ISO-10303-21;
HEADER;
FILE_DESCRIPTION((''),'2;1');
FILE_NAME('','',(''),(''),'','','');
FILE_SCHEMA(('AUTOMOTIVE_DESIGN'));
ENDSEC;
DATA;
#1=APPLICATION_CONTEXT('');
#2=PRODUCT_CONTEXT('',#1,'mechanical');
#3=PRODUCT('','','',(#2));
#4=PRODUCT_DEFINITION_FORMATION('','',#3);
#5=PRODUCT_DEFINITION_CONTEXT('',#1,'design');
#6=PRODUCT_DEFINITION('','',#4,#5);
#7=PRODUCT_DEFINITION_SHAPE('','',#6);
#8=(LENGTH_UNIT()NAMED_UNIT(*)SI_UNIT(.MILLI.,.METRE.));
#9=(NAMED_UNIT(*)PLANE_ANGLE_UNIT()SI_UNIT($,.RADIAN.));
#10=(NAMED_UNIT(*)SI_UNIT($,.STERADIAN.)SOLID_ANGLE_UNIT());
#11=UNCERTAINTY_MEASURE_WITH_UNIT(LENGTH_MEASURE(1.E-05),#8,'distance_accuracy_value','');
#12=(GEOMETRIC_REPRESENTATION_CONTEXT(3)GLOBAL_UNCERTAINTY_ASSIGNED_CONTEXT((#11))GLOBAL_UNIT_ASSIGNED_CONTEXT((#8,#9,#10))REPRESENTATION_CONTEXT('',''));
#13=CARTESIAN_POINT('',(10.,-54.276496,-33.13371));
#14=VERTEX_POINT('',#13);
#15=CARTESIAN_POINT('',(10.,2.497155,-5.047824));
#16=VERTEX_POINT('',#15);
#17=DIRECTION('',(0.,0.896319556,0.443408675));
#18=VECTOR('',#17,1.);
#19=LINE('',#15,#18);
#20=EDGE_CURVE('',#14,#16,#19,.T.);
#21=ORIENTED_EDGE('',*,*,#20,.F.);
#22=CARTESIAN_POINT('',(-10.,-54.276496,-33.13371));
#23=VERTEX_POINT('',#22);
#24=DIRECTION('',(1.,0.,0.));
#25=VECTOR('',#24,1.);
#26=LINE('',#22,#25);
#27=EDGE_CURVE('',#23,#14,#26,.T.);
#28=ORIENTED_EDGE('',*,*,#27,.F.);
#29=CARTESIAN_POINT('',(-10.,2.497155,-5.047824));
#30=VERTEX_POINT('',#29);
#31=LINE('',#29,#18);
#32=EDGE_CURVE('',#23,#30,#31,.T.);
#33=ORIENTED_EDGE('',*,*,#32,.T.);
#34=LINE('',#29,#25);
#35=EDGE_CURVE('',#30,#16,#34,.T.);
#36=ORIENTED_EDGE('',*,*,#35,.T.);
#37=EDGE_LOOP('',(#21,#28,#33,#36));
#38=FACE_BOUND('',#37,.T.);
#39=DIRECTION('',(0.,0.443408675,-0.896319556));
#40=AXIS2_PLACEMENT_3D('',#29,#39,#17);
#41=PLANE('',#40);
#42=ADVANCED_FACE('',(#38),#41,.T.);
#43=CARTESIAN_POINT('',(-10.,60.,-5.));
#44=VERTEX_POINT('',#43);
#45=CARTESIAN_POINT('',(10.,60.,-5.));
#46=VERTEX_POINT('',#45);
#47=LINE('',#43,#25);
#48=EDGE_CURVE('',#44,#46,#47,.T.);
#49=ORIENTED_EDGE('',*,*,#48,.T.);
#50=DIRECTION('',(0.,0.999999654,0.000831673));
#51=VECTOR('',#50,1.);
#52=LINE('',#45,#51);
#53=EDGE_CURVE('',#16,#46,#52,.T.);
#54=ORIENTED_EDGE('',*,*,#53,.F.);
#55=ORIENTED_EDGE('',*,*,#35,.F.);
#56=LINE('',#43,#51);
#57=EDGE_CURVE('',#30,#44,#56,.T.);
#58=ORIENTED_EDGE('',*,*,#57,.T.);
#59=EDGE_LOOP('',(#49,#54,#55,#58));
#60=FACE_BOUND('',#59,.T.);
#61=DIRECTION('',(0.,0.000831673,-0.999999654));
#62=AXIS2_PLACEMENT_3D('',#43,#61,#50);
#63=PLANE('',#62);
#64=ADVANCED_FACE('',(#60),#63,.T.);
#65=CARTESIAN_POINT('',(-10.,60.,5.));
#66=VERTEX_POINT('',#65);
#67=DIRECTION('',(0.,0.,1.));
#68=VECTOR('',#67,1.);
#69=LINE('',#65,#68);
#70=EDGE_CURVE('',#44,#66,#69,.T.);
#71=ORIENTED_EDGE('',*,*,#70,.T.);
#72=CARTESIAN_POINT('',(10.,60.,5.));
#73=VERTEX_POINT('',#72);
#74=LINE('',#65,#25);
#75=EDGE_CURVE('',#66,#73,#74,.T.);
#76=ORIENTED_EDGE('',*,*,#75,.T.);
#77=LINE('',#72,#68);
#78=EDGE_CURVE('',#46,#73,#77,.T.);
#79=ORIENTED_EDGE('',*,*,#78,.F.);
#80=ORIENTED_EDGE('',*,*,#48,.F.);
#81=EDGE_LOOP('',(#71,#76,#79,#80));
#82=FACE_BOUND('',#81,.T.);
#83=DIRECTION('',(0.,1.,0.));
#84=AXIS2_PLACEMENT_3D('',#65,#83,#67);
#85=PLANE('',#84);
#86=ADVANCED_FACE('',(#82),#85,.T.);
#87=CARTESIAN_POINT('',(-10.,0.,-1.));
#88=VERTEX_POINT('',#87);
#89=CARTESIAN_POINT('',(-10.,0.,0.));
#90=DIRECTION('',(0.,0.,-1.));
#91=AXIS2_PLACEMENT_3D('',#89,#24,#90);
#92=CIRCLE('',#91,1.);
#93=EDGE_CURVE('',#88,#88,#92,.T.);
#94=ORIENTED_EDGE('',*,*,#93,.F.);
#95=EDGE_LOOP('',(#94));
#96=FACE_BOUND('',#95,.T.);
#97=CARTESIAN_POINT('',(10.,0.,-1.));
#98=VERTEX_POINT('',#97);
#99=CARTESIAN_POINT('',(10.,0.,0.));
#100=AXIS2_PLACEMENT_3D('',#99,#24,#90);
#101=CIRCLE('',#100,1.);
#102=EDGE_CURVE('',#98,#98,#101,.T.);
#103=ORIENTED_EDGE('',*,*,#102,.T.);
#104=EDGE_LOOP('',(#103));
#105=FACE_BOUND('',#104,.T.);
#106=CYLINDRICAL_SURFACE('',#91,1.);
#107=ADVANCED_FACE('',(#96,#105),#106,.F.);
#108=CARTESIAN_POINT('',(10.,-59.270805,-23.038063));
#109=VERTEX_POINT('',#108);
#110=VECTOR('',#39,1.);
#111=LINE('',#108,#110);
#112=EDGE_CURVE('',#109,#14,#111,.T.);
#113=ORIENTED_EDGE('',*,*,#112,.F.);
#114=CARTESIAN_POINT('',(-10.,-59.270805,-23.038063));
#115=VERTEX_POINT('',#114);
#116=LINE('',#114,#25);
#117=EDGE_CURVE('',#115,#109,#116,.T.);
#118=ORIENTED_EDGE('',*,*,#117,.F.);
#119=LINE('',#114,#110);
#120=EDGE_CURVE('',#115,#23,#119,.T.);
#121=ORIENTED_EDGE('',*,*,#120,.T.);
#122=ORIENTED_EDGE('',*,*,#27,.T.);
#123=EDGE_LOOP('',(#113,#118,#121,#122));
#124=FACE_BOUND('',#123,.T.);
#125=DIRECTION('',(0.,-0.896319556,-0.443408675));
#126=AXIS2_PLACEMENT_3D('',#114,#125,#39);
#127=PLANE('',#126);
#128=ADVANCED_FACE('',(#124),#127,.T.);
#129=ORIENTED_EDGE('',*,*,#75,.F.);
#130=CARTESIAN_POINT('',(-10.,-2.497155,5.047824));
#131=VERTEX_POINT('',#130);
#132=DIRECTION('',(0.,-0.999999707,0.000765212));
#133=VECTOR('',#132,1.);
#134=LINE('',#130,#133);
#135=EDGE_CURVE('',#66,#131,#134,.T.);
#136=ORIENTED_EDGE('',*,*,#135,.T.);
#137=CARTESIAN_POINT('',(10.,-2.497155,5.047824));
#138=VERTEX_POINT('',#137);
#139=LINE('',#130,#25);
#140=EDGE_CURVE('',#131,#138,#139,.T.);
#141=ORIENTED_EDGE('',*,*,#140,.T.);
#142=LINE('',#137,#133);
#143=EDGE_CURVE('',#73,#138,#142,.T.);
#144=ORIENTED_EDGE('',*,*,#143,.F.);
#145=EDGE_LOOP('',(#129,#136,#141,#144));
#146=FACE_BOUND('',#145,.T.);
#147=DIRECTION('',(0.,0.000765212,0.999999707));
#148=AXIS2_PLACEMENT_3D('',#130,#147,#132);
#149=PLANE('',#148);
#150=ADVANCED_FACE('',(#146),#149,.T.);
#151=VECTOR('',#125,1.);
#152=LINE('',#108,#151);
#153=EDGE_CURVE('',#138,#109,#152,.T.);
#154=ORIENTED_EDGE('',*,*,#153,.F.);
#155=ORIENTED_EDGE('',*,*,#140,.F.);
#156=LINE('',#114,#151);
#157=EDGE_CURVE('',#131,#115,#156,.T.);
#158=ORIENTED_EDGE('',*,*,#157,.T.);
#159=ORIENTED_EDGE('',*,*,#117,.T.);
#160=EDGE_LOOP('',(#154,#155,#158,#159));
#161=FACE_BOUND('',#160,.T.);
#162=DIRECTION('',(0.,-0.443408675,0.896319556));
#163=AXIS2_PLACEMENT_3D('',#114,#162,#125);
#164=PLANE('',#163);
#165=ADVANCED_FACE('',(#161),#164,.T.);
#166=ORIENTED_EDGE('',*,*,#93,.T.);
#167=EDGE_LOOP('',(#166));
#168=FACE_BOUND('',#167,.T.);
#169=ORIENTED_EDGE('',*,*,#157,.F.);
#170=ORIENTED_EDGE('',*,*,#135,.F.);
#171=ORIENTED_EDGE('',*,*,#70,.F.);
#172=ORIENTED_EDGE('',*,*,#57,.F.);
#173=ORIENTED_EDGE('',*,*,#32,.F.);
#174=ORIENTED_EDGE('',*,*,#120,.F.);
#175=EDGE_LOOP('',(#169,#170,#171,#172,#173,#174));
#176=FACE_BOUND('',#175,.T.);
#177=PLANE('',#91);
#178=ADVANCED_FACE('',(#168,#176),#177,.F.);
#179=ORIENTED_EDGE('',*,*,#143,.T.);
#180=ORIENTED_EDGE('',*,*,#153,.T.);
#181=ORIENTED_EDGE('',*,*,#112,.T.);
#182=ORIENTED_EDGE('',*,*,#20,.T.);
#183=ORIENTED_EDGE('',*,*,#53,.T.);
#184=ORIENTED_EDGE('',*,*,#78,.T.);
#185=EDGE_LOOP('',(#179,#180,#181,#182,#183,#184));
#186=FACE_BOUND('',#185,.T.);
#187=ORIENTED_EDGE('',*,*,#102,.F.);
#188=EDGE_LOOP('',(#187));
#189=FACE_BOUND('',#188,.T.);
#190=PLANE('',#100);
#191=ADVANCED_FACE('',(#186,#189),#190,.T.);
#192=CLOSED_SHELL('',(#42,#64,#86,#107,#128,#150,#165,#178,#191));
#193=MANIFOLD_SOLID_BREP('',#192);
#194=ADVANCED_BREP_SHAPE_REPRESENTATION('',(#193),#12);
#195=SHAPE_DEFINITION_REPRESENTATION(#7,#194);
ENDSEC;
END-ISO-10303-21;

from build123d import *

# Parameters (mm, degrees)
BOSS_EXTRU_1_DEPTH      = 10
BOSS_EXTRU_1_DEPTH_BACK = 10
ESQUISSE1_R             = 1


with BuildPart() as part:
    # Esquisse1 → Boss.-Extru.1 (new, two sides: drawn at the far end of the back side and taken through both)
    with BuildSketch(Plane(origin=(0, 0, 0), x_dir=(0, 0, -1), z_dir=(1, 0, 0)).offset(-BOSS_EXTRU_1_DEPTH_BACK)):
        Polygon((5.047823589, 2.497154895), (33.133709904, -54.276495693), (23.038062725, -59.270805483), (-5.047823589, -2.497154895), (-5, 60), (5, 60), align=None)
        Circle(ESQUISSE1_R, mode=Mode.SUBTRACT)
    extrude(amount=BOSS_EXTRU_1_DEPTH + BOSS_EXTRU_1_DEPTH_BACK)


solid = part.part
